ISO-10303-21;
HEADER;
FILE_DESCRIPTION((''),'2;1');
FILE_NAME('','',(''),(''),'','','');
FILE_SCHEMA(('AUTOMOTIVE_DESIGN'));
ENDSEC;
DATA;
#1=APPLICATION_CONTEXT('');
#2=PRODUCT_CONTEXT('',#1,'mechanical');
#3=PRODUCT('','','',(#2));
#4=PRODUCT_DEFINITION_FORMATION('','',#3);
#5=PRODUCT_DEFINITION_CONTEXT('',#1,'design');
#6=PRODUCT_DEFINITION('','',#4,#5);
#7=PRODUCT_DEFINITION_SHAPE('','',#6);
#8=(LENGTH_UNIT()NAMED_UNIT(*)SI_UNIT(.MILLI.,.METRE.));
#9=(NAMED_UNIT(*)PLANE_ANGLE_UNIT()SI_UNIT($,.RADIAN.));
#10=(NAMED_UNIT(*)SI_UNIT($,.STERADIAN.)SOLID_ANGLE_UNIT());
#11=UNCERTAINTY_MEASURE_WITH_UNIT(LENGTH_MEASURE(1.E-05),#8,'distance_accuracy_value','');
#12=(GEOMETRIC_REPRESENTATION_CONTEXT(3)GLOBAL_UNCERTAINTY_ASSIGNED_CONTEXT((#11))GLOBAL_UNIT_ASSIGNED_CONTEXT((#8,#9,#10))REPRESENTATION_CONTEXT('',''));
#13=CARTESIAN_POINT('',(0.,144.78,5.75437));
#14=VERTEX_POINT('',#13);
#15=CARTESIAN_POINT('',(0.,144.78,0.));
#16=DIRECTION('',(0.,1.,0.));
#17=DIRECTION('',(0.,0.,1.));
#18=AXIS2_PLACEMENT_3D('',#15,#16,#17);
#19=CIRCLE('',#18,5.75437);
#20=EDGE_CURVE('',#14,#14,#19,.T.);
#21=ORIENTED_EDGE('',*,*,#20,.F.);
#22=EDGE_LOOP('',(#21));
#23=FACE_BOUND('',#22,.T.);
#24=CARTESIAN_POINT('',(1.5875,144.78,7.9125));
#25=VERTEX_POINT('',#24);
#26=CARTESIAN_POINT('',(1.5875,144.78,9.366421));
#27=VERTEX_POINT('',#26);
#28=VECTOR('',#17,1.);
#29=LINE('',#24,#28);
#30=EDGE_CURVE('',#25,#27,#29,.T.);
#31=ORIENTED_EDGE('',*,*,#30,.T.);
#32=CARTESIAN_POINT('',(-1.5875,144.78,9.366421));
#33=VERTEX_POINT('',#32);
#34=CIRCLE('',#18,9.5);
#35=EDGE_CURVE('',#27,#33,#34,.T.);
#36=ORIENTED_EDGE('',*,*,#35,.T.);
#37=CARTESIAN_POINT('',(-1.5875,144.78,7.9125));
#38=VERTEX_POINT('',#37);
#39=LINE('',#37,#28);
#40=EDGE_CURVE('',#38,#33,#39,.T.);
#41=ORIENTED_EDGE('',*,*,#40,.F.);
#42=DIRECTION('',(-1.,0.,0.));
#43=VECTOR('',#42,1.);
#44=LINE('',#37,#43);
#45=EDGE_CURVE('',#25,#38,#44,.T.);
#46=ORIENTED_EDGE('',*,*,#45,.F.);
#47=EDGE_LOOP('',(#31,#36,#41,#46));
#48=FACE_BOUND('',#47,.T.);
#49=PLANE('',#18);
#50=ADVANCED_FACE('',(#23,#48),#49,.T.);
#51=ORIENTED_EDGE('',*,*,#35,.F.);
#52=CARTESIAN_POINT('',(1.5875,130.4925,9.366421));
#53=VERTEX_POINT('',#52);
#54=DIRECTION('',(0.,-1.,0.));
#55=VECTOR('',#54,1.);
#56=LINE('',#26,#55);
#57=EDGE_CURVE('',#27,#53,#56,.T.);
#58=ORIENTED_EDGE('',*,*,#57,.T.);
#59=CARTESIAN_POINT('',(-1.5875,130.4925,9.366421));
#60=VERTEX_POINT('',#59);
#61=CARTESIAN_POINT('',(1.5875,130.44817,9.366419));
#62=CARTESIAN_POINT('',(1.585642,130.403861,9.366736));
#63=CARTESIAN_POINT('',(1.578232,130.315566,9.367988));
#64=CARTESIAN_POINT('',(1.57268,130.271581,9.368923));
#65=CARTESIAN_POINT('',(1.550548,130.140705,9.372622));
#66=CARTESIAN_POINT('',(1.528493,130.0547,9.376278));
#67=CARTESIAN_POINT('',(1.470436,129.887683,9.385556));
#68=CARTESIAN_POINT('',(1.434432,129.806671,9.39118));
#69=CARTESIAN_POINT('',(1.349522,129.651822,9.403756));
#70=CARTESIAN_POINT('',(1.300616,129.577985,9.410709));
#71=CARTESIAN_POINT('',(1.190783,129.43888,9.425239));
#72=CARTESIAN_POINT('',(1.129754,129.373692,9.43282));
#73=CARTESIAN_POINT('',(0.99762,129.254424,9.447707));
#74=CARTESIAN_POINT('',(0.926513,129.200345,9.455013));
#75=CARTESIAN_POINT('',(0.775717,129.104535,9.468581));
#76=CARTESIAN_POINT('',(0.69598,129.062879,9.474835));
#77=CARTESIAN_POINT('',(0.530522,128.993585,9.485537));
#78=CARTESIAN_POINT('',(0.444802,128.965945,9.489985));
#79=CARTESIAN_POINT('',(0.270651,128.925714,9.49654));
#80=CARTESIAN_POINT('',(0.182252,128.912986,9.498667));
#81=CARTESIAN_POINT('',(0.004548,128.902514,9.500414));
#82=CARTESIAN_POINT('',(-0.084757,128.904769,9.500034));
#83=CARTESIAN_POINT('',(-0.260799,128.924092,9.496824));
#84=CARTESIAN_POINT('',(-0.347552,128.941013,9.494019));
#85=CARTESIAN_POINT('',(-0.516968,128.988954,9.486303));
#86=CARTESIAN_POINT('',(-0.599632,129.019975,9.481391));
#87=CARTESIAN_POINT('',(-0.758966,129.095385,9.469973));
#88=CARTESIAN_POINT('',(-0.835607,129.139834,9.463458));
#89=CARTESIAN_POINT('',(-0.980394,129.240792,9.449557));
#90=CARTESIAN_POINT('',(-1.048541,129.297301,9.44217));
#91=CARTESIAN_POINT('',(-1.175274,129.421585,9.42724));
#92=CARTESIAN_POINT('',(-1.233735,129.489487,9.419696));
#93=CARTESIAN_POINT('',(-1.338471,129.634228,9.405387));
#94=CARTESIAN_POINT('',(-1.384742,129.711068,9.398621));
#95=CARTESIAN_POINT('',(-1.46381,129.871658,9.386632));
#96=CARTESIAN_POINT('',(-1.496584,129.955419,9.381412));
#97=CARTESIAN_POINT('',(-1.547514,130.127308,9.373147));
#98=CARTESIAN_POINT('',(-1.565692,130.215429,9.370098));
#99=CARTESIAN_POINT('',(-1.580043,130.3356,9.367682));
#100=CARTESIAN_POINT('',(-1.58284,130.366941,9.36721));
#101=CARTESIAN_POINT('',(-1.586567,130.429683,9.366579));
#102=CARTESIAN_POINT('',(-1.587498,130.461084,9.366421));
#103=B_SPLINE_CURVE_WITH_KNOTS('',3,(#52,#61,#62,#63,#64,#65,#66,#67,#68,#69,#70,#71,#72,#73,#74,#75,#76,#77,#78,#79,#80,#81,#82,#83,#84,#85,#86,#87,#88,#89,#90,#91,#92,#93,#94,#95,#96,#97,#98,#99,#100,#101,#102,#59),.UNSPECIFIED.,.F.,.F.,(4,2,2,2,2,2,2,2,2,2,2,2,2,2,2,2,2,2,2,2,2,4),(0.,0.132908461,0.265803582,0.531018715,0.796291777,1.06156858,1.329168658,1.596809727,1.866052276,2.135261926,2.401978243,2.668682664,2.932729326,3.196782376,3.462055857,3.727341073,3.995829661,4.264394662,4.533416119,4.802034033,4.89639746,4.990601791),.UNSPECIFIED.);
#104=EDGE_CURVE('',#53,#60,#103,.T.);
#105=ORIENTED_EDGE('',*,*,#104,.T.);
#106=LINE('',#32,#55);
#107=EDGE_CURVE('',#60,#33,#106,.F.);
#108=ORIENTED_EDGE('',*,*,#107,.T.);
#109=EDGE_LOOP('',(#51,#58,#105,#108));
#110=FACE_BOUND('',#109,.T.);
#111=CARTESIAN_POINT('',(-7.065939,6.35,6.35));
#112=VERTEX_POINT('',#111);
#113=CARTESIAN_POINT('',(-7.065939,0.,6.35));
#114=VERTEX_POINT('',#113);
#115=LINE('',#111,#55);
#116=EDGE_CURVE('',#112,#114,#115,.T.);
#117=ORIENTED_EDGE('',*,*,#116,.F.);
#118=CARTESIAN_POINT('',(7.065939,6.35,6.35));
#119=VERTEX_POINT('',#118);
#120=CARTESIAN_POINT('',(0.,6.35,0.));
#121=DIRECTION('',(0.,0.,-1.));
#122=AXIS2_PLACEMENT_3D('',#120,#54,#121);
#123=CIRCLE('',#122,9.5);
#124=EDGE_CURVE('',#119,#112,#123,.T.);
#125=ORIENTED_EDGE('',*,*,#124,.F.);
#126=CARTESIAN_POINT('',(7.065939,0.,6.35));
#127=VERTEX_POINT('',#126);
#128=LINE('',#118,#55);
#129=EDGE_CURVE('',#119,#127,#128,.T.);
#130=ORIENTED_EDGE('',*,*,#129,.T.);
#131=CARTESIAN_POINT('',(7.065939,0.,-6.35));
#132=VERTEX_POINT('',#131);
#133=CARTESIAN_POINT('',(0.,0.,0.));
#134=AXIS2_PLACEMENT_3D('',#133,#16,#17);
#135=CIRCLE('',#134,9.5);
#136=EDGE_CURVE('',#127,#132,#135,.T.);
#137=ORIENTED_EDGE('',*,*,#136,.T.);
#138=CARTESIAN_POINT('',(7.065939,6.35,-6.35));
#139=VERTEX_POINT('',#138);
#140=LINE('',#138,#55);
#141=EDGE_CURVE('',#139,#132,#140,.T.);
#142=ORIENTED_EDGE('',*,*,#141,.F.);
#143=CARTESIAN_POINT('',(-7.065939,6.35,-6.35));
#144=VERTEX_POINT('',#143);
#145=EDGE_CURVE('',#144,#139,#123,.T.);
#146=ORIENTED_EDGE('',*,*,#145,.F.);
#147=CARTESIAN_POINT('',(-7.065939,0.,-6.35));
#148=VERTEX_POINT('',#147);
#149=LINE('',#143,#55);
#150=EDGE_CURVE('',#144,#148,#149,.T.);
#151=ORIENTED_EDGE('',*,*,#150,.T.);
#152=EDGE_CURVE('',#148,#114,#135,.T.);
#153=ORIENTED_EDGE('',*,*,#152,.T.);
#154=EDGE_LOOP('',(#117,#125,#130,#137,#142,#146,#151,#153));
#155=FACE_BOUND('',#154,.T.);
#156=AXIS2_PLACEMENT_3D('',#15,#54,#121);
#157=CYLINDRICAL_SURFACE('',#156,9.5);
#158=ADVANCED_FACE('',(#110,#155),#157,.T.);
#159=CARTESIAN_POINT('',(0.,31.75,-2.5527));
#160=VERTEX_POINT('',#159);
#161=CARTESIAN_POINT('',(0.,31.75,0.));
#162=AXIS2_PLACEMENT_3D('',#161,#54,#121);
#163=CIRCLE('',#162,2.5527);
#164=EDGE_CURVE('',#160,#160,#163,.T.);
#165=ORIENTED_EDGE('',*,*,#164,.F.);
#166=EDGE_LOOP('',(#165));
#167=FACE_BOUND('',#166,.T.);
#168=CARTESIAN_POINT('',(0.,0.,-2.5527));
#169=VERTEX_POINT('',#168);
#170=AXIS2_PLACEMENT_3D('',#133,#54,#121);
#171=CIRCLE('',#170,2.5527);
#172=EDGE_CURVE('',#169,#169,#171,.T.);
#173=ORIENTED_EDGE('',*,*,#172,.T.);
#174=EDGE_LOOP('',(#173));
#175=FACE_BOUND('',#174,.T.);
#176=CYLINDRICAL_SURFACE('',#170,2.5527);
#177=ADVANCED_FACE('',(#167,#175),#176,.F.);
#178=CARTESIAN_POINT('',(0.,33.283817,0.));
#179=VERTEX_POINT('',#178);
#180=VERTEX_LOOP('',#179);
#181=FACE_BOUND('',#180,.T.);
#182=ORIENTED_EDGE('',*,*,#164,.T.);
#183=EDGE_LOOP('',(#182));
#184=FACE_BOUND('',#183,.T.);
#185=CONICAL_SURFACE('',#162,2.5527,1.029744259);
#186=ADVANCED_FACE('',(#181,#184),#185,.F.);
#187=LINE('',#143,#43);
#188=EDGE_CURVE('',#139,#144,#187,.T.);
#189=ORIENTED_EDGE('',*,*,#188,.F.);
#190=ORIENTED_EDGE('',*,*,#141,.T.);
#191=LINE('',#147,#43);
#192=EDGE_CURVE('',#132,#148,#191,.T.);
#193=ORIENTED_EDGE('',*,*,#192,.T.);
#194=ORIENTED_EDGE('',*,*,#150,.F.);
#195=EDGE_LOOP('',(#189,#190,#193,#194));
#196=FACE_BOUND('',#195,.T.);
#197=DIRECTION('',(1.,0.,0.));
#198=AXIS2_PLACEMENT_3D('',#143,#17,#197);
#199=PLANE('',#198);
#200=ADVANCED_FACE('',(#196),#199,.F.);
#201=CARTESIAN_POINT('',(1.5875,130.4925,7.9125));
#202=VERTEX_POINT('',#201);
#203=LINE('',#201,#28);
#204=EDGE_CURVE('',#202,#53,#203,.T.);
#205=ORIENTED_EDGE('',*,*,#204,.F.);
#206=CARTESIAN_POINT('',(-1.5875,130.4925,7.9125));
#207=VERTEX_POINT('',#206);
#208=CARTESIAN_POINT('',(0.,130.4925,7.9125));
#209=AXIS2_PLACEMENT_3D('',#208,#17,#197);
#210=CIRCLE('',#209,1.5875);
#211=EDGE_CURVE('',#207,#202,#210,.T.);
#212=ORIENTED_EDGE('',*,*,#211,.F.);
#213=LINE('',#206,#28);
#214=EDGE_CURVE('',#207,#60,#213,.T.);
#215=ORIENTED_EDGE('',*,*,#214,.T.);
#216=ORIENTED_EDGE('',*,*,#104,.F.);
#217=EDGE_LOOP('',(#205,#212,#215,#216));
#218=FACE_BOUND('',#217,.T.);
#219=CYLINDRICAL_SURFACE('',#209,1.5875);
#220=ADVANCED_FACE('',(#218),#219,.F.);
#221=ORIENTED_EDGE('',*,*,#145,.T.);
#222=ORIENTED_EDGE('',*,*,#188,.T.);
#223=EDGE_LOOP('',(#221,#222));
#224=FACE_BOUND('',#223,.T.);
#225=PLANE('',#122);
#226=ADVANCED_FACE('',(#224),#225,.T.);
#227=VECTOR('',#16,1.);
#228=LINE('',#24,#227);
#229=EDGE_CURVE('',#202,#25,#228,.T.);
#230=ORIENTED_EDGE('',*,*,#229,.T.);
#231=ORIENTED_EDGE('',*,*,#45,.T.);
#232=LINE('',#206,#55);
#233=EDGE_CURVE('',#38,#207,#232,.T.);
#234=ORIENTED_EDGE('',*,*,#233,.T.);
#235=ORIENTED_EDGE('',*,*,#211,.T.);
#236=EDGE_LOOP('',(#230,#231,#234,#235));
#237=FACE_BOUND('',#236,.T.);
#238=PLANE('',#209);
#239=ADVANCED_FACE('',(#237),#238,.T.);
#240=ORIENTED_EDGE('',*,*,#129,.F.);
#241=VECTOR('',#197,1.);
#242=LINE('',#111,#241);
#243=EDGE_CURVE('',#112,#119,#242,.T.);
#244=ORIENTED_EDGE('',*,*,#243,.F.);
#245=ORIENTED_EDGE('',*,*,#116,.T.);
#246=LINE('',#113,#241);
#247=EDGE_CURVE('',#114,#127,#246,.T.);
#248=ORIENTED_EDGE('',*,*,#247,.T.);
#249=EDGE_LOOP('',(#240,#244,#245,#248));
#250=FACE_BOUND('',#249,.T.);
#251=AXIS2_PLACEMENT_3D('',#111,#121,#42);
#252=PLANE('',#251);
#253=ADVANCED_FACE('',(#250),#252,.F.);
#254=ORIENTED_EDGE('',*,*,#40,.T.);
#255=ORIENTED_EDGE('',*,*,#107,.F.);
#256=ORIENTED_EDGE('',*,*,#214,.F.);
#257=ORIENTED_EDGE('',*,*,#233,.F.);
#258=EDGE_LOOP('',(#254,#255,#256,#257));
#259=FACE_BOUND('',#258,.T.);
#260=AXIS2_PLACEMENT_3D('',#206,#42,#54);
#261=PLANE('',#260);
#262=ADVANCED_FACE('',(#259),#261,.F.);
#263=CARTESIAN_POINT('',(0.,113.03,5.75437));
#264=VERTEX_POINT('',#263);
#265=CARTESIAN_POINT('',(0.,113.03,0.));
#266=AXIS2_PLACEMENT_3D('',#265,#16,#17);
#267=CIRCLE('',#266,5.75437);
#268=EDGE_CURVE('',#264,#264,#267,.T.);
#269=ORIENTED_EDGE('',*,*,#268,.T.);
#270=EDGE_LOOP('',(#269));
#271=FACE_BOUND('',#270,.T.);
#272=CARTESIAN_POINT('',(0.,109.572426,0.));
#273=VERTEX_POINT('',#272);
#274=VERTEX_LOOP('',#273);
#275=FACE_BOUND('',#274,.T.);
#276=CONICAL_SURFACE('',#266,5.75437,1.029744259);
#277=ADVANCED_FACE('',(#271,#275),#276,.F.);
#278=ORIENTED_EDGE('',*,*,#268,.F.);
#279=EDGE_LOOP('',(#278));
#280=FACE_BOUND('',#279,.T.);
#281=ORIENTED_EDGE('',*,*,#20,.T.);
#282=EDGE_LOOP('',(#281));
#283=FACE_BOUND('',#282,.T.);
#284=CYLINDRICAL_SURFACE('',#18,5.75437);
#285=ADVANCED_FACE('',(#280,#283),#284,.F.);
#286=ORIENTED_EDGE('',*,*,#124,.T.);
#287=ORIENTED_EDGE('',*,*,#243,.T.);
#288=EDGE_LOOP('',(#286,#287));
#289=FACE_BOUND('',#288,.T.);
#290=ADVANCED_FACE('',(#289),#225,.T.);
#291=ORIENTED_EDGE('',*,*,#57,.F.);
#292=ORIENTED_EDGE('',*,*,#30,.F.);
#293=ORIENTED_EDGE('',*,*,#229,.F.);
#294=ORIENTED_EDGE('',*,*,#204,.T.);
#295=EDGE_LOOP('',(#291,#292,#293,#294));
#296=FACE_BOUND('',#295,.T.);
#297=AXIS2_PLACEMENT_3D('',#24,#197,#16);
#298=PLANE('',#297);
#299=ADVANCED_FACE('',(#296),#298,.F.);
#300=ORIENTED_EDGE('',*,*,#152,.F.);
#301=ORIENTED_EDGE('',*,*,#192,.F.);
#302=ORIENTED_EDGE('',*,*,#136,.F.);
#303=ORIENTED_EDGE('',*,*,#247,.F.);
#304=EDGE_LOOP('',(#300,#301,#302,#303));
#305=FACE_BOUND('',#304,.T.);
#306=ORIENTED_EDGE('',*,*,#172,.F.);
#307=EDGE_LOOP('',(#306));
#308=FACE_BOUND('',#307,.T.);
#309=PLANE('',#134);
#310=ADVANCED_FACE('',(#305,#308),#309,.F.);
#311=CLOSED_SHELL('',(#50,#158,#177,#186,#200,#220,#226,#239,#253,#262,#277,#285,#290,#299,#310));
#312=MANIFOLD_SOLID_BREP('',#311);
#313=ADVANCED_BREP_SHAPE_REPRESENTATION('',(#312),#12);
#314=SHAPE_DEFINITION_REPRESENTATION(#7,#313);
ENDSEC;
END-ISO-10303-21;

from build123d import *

# Parameters (mm, degrees)
SKETCH1_R                       = 9.5
BOSS_EXTRUDE1_DEPTH             = 144.78
CUT_EXTRUDE1_DEPTH              = 6.35
TAP_DRILL_FOR_1_4_20_TAP1_D     = 5.1054
TAP_DRILL_FOR_1_4_20_TAP1_DEPTH = 31.75
TAP_DRILL_FOR_1_4_20_TAP1_TIP   = 1.533816902
TAP_DRILL_FOR_1_2_20_TAP1_D     = 11.50874
TAP_DRILL_FOR_1_2_20_TAP1_DEPTH = 31.75
TAP_DRILL_FOR_1_2_20_TAP1_TIP   = 3.45757432
CUT_EXTRUDE2_DEPTH              = 1.5875


with BuildPart() as part:
    # Sketch1 → Boss-Extrude1 (new body)
    with BuildSketch(Plane(origin=(0, 0, 0), x_dir=(1, 0, 0), z_dir=(0, 1, 0))):
        Circle(SKETCH1_R)
    extrude(amount=BOSS_EXTRUDE1_DEPTH)

    # Sketch2 → Cut-Extrude1 (cut)
    with BuildSketch(Plane(origin=(0, 0, 0), x_dir=(-1, 0, 0), z_dir=(0, -1, 0))):
        with BuildLine():
            Line((7.065939428, -6.35), (-7.065939428, -6.35))
            ThreePointArc((-7.065939428, -6.35), (0, -9.5), (7.065939428, -6.35))
        make_face()
        with BuildLine():
            Line((7.065939428, 6.35), (-7.065939428, 6.35))
            ThreePointArc((-7.065939428, 6.35), (0, 9.5), (7.065939428, 6.35))
        make_face()
    extrude(amount=-CUT_EXTRUDE1_DEPTH, mode=Mode.SUBTRACT)

    # Tap Drill for 1/4-20 Tap1
    with Locations(Plane(origin=(0, 0, 0), x_dir=(-1, 0, 0), z_dir=(0, -1, 0))):
        with Locations((0, 0)):
            Hole(TAP_DRILL_FOR_1_4_20_TAP1_D / 2, depth=TAP_DRILL_FOR_1_4_20_TAP1_DEPTH)
            with Locations((0, 0, -(TAP_DRILL_FOR_1_4_20_TAP1_DEPTH + TAP_DRILL_FOR_1_4_20_TAP1_TIP / 2))):  # 118° drill point
                Cone(0, TAP_DRILL_FOR_1_4_20_TAP1_D / 2, TAP_DRILL_FOR_1_4_20_TAP1_TIP, mode=Mode.SUBTRACT)

    # Tap Drill for 1/2-20 Tap1
    with Locations(Plane(origin=(0, 144.78, 0), x_dir=(1, 0, 0), z_dir=(0, 1, 0))):
        with Locations((0, 0)):
            Hole(TAP_DRILL_FOR_1_2_20_TAP1_D / 2, depth=TAP_DRILL_FOR_1_2_20_TAP1_DEPTH)
            with Locations((0, 0, -(TAP_DRILL_FOR_1_2_20_TAP1_DEPTH + TAP_DRILL_FOR_1_2_20_TAP1_TIP / 2))):  # 118° drill point
                Cone(0, TAP_DRILL_FOR_1_2_20_TAP1_D / 2, TAP_DRILL_FOR_1_2_20_TAP1_TIP, mode=Mode.SUBTRACT)

    # Sketch7 → Cut-Extrude2 (cut)
    with BuildSketch(Plane.XY.offset(9.5)):
        with BuildLine():
            Line((-1.5875, 130.4925), (-1.5875, 144.78))
            Line((-1.5875, 144.78), (1.5875, 144.78))
            Line((1.5875, 144.78), (1.5875, 130.4925))
            ThreePointArc((1.5875, 130.4925), (0, 128.905), (-1.5875, 130.4925))
        make_face()
    extrude(amount=-CUT_EXTRUDE2_DEPTH, mode=Mode.SUBTRACT)


solid = part.part
